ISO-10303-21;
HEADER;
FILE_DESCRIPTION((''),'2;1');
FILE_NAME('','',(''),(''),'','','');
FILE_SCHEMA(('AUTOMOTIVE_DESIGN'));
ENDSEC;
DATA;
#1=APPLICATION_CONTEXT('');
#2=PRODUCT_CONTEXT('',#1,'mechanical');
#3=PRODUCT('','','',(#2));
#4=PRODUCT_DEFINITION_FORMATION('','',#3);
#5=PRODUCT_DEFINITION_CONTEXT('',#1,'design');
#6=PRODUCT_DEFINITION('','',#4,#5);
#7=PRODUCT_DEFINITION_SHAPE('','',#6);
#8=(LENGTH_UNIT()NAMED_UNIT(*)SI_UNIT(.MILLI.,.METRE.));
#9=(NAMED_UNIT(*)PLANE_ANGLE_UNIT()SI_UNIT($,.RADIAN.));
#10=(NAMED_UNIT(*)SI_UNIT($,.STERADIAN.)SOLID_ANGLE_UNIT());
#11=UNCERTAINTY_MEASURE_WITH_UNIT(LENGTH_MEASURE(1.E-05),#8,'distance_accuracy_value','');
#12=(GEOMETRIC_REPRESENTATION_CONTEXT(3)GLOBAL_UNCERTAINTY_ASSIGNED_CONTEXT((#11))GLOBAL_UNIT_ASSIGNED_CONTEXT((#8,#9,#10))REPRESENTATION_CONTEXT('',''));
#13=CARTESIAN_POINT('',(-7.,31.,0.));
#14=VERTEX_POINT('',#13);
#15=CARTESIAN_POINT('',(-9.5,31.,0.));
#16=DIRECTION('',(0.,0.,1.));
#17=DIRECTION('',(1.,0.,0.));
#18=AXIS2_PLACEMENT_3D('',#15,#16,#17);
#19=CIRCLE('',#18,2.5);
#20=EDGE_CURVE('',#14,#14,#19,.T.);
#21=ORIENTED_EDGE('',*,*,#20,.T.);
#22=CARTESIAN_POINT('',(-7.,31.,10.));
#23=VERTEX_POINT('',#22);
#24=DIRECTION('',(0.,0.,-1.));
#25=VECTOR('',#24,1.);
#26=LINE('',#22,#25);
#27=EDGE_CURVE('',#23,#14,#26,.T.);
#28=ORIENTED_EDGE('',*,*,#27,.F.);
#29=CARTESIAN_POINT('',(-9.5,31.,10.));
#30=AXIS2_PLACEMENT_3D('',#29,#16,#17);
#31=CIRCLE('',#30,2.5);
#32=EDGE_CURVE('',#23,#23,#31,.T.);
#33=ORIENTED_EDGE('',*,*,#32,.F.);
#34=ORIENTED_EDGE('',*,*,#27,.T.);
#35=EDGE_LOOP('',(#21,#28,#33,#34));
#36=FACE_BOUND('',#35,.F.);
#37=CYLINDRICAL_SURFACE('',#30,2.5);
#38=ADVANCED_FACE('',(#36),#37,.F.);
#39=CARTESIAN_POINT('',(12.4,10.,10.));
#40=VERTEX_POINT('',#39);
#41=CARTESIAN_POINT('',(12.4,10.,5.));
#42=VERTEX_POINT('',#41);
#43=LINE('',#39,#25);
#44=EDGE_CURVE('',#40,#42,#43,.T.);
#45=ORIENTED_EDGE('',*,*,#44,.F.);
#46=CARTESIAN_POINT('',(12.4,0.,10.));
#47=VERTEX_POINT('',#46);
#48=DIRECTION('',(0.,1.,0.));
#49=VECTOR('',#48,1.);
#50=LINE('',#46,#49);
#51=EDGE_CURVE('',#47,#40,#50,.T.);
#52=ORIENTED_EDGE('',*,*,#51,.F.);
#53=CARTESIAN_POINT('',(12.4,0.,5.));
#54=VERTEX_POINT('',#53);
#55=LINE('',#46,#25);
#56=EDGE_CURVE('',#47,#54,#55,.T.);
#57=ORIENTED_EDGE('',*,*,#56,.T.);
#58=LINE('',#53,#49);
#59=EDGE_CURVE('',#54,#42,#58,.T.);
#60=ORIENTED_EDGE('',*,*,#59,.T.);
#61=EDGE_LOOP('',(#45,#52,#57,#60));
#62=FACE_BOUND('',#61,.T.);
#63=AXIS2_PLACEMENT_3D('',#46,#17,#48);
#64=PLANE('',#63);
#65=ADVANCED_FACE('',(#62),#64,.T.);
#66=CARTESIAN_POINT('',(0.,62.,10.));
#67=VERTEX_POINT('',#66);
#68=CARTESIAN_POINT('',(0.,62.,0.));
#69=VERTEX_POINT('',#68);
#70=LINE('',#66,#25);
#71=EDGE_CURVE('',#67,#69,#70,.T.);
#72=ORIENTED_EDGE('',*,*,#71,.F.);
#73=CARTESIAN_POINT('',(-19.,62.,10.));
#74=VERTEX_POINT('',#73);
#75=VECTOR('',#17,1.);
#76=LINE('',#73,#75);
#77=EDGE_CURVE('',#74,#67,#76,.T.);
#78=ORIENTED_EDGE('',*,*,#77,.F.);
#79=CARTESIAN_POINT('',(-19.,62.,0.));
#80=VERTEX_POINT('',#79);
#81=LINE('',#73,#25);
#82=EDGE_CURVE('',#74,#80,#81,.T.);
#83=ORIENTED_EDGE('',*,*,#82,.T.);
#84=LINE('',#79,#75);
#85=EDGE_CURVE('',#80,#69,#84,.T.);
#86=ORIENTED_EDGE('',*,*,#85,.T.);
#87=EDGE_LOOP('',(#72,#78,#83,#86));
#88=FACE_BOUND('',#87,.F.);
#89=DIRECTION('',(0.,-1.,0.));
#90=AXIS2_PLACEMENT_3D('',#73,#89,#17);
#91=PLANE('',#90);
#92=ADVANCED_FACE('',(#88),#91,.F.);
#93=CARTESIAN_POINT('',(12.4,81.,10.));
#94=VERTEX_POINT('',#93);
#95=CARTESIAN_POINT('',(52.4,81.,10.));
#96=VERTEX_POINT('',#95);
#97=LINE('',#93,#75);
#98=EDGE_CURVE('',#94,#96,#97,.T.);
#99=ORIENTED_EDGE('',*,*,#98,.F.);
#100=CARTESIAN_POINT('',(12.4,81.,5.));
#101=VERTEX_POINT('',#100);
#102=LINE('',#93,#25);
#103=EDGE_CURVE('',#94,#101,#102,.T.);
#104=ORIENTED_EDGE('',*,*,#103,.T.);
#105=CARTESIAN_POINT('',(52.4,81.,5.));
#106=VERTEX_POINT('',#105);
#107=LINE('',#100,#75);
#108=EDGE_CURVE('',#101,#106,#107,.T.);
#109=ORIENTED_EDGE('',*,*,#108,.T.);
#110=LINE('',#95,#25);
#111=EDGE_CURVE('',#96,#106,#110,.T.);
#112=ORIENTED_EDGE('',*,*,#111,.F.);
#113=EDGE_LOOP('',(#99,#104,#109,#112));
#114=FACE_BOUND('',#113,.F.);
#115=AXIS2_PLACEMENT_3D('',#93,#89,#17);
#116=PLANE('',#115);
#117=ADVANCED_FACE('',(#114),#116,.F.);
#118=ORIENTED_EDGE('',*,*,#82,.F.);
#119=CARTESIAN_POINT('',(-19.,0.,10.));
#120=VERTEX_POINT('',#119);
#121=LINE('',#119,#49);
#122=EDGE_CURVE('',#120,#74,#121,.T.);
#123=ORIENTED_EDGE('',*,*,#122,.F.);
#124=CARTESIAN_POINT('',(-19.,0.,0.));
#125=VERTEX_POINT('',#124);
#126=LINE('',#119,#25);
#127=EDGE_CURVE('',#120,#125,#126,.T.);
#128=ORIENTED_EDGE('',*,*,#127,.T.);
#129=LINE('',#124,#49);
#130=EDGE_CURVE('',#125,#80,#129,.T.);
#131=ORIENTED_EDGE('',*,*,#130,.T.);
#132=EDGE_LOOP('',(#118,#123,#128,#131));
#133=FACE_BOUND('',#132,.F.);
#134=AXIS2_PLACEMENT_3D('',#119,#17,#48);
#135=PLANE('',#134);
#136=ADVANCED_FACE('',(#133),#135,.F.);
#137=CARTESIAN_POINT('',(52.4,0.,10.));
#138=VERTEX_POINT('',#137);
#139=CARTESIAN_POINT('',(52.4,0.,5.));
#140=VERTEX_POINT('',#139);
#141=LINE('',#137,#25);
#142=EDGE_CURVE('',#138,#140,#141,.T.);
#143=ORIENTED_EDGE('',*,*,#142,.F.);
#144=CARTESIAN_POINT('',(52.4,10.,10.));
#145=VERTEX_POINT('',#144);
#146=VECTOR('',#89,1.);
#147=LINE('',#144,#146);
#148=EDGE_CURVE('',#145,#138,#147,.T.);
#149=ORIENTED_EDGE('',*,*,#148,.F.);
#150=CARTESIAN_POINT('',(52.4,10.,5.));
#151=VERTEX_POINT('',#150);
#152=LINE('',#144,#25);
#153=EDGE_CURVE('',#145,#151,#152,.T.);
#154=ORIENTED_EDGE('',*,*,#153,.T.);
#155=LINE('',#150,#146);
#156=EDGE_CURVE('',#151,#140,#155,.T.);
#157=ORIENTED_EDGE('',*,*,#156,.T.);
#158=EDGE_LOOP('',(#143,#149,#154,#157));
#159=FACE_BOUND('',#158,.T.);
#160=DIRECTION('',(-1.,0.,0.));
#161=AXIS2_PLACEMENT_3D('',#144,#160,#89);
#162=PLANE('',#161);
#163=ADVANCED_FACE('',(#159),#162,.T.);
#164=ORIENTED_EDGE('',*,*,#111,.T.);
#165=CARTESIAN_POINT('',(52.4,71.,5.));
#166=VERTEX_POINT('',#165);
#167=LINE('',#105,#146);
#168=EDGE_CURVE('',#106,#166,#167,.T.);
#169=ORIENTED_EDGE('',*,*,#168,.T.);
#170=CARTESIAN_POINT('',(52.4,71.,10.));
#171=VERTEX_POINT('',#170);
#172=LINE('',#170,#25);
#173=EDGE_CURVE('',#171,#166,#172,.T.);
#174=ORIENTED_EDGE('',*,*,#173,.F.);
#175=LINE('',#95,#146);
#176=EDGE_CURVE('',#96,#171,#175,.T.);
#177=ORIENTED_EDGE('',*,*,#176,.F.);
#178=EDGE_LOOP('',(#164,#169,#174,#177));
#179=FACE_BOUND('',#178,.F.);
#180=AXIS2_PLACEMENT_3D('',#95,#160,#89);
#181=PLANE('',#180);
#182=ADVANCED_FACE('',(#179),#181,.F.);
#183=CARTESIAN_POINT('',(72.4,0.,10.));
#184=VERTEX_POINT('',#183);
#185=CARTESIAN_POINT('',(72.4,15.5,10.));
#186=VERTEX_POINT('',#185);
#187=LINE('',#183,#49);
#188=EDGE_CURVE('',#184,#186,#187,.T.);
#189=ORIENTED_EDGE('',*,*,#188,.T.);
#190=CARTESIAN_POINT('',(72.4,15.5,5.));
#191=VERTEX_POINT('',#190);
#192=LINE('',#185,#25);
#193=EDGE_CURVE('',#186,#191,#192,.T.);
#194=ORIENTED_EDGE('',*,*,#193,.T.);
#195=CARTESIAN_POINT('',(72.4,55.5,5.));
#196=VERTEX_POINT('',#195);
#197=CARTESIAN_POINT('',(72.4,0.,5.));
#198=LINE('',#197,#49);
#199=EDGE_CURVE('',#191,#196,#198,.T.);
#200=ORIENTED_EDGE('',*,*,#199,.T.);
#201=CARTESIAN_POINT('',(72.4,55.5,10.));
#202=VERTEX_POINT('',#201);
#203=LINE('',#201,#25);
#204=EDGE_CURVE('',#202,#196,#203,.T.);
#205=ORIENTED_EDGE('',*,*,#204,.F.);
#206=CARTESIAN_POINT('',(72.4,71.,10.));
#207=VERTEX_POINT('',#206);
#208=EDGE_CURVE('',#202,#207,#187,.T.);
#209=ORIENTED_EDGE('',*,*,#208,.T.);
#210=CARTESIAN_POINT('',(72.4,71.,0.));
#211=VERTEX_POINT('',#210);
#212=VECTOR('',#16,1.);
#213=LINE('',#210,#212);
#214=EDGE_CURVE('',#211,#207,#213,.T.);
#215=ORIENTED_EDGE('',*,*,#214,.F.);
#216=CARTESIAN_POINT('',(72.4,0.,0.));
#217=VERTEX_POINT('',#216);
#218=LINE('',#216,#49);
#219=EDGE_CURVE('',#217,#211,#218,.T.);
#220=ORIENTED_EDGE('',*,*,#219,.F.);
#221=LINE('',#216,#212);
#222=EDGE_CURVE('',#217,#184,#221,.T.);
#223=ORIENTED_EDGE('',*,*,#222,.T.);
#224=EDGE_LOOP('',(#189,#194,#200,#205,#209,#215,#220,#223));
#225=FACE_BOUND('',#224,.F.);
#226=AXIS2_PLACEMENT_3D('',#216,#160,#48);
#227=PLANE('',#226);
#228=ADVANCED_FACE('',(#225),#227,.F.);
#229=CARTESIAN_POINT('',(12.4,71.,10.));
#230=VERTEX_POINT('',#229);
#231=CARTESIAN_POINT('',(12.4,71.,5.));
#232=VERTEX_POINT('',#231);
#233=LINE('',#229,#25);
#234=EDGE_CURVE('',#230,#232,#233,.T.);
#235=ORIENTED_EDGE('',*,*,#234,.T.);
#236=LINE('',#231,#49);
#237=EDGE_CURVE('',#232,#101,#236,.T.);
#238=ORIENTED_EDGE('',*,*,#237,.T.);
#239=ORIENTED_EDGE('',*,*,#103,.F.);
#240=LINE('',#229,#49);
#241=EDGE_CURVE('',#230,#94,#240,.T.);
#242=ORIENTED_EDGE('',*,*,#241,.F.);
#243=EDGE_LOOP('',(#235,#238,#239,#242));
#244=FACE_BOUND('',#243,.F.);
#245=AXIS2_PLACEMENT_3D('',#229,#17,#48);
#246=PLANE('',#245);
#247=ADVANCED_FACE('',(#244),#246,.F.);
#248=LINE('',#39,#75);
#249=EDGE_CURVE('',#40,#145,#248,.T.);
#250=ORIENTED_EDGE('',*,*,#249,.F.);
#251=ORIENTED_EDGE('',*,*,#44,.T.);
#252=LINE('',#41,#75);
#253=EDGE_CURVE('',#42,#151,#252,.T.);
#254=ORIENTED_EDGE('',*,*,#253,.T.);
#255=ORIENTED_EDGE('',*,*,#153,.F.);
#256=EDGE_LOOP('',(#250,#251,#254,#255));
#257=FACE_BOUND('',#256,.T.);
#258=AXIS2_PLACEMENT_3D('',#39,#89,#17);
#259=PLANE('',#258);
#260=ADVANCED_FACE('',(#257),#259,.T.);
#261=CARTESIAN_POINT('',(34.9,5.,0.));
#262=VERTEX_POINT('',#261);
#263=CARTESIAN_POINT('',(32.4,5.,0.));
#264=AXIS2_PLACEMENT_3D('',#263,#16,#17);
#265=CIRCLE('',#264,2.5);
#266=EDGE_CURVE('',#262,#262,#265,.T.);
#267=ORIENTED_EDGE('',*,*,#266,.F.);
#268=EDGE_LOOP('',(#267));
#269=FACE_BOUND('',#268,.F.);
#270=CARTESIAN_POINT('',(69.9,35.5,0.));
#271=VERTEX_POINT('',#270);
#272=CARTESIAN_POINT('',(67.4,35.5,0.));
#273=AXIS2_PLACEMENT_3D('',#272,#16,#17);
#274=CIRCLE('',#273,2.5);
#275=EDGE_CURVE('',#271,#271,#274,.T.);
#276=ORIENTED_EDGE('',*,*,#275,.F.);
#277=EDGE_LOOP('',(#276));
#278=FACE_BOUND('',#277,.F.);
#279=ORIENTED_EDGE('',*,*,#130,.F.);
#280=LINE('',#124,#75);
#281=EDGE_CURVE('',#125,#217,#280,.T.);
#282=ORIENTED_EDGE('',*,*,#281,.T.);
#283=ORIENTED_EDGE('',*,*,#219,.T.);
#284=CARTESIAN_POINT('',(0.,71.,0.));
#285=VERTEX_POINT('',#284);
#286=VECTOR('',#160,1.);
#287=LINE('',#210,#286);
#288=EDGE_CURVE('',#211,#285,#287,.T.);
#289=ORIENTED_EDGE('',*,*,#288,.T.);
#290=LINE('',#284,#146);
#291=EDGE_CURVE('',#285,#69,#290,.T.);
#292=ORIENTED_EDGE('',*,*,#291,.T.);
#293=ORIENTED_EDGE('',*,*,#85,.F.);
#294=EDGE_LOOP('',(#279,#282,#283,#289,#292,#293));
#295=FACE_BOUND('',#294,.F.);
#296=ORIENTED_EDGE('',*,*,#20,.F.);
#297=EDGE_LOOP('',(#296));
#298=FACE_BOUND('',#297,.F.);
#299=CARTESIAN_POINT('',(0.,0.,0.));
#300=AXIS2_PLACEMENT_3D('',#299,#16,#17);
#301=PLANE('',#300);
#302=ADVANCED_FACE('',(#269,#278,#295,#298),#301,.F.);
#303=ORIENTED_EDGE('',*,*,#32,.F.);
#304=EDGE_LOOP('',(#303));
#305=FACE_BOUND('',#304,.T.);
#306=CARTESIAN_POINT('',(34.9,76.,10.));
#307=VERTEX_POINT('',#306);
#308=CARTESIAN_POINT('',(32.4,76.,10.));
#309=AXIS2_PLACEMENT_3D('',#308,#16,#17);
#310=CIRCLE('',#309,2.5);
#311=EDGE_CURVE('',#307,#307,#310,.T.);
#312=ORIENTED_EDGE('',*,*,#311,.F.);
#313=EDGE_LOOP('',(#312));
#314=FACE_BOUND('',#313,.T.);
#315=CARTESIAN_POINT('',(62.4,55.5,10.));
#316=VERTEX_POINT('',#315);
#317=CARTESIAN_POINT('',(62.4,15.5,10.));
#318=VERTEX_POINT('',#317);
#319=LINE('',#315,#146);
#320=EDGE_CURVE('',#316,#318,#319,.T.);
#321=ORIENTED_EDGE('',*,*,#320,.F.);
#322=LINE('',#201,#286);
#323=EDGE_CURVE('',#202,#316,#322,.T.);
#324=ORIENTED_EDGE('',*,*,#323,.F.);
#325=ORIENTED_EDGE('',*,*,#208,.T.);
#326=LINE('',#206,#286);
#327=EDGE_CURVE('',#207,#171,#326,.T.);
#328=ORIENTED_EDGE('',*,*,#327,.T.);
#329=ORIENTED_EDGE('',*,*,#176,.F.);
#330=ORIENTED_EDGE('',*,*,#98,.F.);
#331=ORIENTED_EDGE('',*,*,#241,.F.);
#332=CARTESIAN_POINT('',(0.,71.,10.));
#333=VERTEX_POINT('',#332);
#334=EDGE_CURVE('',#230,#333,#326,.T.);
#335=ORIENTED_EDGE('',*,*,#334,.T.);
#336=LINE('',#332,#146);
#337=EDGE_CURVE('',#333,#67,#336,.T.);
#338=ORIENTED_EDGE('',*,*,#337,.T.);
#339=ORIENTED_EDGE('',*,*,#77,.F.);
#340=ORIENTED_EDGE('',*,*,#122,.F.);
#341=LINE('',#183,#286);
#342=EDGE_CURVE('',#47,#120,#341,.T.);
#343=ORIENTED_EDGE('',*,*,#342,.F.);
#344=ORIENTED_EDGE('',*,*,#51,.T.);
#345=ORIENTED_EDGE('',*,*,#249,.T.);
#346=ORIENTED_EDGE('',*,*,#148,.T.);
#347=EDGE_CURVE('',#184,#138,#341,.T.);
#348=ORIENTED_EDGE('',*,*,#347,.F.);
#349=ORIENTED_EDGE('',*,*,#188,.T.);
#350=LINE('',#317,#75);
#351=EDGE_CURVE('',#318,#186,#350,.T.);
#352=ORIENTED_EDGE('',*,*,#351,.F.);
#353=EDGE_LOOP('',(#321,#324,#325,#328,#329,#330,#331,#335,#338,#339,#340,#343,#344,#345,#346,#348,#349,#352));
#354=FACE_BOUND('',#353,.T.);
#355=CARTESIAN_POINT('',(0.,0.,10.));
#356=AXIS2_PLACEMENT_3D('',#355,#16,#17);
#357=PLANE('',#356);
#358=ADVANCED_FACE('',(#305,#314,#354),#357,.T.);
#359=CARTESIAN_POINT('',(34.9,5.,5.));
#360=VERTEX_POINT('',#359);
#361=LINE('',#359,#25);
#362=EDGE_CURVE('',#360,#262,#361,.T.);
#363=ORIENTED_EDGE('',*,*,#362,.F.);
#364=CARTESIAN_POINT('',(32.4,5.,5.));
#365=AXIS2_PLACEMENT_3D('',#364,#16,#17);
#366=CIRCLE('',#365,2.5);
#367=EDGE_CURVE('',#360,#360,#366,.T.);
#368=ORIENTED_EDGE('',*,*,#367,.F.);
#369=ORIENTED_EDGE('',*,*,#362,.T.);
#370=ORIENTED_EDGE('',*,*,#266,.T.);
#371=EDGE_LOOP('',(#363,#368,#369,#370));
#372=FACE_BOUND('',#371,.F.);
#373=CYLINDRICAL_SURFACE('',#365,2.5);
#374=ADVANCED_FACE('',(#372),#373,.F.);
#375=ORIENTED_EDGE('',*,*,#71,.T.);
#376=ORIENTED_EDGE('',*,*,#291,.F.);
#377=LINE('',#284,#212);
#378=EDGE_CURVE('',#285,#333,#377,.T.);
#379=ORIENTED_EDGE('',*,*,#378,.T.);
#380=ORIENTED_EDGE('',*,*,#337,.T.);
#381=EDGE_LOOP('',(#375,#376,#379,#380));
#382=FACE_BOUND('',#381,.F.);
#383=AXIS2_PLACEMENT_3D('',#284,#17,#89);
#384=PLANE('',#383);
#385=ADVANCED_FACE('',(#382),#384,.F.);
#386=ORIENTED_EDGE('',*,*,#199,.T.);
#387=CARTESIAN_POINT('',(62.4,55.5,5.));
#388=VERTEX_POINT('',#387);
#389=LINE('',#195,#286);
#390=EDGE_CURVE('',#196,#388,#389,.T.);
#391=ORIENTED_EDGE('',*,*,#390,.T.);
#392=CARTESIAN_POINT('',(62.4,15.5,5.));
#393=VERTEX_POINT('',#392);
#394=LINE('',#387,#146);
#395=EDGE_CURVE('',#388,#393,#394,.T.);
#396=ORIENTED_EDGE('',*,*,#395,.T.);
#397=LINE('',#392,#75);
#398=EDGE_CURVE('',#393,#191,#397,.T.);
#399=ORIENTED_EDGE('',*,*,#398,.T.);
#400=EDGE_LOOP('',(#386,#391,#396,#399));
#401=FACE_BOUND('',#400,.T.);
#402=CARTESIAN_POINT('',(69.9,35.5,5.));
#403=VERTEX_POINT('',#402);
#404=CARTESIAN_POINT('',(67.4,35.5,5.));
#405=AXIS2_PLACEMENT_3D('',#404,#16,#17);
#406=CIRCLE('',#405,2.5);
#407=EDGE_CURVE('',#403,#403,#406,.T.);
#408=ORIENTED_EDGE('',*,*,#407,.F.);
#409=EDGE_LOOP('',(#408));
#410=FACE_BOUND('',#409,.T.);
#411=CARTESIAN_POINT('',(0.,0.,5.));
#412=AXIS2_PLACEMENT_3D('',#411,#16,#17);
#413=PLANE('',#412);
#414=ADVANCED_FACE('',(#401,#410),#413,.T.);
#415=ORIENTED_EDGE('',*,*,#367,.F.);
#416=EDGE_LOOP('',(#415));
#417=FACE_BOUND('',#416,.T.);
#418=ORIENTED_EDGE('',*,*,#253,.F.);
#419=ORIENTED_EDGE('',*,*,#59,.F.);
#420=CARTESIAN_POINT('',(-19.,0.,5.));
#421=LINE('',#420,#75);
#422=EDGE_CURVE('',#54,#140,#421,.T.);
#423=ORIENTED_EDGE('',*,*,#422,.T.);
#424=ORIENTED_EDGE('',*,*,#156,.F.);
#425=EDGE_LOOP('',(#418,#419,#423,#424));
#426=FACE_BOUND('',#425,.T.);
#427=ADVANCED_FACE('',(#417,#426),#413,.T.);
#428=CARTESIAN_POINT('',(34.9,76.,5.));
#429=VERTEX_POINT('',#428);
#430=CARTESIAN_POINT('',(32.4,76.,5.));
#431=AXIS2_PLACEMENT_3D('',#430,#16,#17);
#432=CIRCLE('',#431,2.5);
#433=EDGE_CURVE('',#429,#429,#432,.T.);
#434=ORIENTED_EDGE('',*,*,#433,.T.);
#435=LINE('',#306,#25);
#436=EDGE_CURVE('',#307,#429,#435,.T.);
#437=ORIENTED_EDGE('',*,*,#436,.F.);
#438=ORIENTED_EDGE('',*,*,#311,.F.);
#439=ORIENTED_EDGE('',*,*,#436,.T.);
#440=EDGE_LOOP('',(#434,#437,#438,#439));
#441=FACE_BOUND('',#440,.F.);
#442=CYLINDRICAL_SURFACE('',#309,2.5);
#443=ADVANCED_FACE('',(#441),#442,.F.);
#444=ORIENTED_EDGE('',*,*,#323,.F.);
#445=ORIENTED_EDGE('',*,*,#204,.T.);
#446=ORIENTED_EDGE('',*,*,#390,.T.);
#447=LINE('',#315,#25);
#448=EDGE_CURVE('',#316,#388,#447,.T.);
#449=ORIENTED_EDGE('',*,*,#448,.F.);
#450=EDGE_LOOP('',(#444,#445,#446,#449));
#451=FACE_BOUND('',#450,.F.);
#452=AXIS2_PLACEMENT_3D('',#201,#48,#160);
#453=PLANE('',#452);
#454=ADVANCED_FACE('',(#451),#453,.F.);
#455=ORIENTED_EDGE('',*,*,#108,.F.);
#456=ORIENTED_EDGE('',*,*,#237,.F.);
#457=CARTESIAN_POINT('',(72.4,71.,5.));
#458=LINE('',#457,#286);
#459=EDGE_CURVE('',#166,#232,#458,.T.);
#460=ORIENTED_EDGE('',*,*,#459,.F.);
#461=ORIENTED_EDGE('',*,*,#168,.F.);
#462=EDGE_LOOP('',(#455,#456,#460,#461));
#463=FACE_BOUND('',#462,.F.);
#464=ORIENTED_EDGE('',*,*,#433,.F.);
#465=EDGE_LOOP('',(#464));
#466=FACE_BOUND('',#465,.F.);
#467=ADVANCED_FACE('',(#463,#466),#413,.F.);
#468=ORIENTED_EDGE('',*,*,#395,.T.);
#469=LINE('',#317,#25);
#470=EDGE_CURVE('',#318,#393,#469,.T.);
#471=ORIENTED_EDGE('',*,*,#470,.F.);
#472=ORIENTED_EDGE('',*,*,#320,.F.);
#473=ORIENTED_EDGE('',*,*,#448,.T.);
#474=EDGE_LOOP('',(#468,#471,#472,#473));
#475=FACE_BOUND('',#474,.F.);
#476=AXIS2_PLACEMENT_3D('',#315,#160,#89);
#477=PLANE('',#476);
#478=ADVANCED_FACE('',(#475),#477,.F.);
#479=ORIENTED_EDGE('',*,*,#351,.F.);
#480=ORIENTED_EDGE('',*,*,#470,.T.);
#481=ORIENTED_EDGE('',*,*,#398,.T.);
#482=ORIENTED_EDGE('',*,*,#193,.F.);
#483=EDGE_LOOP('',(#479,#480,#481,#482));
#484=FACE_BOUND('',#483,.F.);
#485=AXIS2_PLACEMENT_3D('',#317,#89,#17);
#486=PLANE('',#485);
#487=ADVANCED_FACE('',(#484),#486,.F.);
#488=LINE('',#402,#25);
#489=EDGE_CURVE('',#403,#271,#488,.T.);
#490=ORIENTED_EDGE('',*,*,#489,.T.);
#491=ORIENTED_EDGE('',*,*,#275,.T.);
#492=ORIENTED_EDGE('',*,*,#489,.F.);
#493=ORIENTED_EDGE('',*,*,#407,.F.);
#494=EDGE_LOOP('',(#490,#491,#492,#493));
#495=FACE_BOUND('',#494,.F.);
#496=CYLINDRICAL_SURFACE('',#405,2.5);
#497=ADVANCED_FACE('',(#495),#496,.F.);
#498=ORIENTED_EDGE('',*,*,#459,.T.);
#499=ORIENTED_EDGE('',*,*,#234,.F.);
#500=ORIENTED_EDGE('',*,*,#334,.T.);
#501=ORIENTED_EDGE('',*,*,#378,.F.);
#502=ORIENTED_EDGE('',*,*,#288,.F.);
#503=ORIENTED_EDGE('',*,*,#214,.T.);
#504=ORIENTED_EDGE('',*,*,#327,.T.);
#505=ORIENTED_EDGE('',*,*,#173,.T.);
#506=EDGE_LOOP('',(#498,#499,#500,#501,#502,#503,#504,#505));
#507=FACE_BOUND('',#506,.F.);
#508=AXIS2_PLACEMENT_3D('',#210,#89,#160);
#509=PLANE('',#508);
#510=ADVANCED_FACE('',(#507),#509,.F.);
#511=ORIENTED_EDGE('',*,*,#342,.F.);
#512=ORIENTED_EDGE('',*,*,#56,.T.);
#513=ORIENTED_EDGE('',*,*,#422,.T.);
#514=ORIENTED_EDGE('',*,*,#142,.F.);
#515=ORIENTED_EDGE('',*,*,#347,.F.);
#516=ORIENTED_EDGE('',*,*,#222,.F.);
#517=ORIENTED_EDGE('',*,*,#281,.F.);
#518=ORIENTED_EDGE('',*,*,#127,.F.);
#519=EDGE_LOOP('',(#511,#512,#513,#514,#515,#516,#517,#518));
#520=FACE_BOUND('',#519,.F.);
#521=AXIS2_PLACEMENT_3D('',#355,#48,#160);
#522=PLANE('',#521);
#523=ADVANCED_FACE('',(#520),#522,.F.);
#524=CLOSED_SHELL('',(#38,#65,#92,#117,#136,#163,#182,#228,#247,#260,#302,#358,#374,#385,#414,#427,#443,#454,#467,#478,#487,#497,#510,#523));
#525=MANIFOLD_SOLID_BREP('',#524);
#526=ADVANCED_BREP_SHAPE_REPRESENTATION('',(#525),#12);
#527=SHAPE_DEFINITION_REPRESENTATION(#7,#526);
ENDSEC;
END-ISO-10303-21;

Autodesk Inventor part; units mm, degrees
ref_plane "YZ Plane" through (0, 0, 0) normal (1, 0, 0) x (0, 1, 0)
ref_plane "XZ Plane" through (0, 0, 0) normal (0, 1, 0) x (-1, 0, 0)
ref_plane "XY Plane" through (0, 0, 0) normal (0, 0, 1) x (1, 0, 0)
sketch "Sketch1" plane through (0, 0, 0) normal (0, 0, 1) x (1, 0, 0)
  line L0 (0, 0) -> (72.4, 0)
  line L1 (72.4, 0) -> (72.4, 71)
  line L2 (72.4, 71) -> (0, 71)
  line L3 (0, 71) -> (0, 0)
  dimension "d0" = 72.4
  dimension "d1" = 71
extrude "Extrusion1" add sketch "Sketch1" along normal blind 10
sketch "Sketch2" plane through (0, 0, 10) normal (0, 0, 1) x (1, 0, 0)
  line L0 (72.4, 71) -> (0, 71) projected
  line L1 (52.4, 71) -> (12.4, 71)
  line L2 (12.4, 71) -> (12.4, 81)
  line L3 (12.4, 81) -> (52.4, 81)
  line L4 (52.4, 81) -> (52.4, 71)
  circle A0 centre (32.4, 76) radius 2.5
  line L5 (72.4, 0) -> (72.4, 71) projected
  point P0 (0, 0)
  point P1 (52.4, 76)
  point P2 (32.4, 81)
  dimension "d4" = 40
  dimension "d5" = 10
  dimension "d6" = 5
  dimension "d7" = 20
extrude "Extrusion2" add sketch "Sketch2" against normal blind 5
sketch "Sketch3" plane through (0, 0, 10) normal (0, 0, 1) x (1, 0, 0)
  line L0 (0, 71) -> (0, 0) projected
  line L1 (0, 0) -> (-19, 0)
  line L2 (-19, 0) -> (-19, 62)
  line L3 (-19, 62) -> (0, 62)
  line L4 (0, 62) -> (0, 0)
  line L5 (12.4, 71) -> (0, 71) projected
  circle A0 centre (-9.5, 31) radius 2.5
  point P0 (-19, 31)
  point P1 (-9.5, 62)
  dimension "d10" = 19
  dimension "d11" = 9
  dimension "d13" = 5
extrude "Extrusion3" add sketch "Sketch3" against normal blind 10
sketch "Sketch4" plane through (0, 0, 10) normal (0, 0, 1) x (1, 0, 0)
  line L0 (-19, 0) -> (72.4, 0) projected
  line L1 (52.4, 0) -> (12.4, 0)
  line L2 (12.4, 0) -> (12.4, 10)
  line L3 (12.4, 10) -> (52.4, 10)
  line L4 (52.4, 10) -> (52.4, 0)
  line L5 (72.4, 0) -> (72.4, 71) projected
  line L6 (72.4, 55.5) -> (62.4, 55.5)
  line L7 (62.4, 55.5) -> (62.4, 15.5)
  line L8 (62.4, 15.5) -> (72.4, 15.5)
  line L9 (72.4, 15.5) -> (72.4, 55.5)
  point P0 (0, 0)
  point P1 (72.4, 35.5)
  point P2 (72.4, 35.5)
  point P3 (52.4, 81)
  dimension "d16" = 40
  dimension "d17" = 10
  dimension "d18" = 10
  dimension "d19" = 40
extrude "Extrusion4" cut sketch "Sketch4" against normal blind 5
sketch "Sketch5" plane through (0, 0, 5) normal (0, 0, 1) x (1, 0, 0)
  line L0 (62.4, 55.5) -> (72.4, 55.5) construction
  line L1 (62.4, 15.5) -> (62.4, 55.5) construction
  line L2 (72.4, 15.5) -> (62.4, 15.5) construction
  line L3 (72.4, 55.5) -> (72.4, 15.5) construction
  line L4 (52.4, 10) -> (52.4, 0) construction
  line L5 (12.4, 10) -> (52.4, 10) construction
  line L6 (12.4, 0) -> (12.4, 10) construction
  line L7 (52.4, 0) -> (12.4, 0) construction
  circle A0 centre (32.4, 5) radius 2.5
  circle A1 centre (67.4, 35.5) radius 2.5
  point P0 (0, 0)
  point P1 (62.4, 35.5)
  point P2 (12.4, 5)
  point P3 (67.4, 55.5)
  point P4 (32.4, 10)
  dimension "d22" = 5
  dimension "d23" = 5
extrude "Extrusion5" cut sketch "Sketch5" against normal through all
properties part number "SP005" material "ABS Plastic"
